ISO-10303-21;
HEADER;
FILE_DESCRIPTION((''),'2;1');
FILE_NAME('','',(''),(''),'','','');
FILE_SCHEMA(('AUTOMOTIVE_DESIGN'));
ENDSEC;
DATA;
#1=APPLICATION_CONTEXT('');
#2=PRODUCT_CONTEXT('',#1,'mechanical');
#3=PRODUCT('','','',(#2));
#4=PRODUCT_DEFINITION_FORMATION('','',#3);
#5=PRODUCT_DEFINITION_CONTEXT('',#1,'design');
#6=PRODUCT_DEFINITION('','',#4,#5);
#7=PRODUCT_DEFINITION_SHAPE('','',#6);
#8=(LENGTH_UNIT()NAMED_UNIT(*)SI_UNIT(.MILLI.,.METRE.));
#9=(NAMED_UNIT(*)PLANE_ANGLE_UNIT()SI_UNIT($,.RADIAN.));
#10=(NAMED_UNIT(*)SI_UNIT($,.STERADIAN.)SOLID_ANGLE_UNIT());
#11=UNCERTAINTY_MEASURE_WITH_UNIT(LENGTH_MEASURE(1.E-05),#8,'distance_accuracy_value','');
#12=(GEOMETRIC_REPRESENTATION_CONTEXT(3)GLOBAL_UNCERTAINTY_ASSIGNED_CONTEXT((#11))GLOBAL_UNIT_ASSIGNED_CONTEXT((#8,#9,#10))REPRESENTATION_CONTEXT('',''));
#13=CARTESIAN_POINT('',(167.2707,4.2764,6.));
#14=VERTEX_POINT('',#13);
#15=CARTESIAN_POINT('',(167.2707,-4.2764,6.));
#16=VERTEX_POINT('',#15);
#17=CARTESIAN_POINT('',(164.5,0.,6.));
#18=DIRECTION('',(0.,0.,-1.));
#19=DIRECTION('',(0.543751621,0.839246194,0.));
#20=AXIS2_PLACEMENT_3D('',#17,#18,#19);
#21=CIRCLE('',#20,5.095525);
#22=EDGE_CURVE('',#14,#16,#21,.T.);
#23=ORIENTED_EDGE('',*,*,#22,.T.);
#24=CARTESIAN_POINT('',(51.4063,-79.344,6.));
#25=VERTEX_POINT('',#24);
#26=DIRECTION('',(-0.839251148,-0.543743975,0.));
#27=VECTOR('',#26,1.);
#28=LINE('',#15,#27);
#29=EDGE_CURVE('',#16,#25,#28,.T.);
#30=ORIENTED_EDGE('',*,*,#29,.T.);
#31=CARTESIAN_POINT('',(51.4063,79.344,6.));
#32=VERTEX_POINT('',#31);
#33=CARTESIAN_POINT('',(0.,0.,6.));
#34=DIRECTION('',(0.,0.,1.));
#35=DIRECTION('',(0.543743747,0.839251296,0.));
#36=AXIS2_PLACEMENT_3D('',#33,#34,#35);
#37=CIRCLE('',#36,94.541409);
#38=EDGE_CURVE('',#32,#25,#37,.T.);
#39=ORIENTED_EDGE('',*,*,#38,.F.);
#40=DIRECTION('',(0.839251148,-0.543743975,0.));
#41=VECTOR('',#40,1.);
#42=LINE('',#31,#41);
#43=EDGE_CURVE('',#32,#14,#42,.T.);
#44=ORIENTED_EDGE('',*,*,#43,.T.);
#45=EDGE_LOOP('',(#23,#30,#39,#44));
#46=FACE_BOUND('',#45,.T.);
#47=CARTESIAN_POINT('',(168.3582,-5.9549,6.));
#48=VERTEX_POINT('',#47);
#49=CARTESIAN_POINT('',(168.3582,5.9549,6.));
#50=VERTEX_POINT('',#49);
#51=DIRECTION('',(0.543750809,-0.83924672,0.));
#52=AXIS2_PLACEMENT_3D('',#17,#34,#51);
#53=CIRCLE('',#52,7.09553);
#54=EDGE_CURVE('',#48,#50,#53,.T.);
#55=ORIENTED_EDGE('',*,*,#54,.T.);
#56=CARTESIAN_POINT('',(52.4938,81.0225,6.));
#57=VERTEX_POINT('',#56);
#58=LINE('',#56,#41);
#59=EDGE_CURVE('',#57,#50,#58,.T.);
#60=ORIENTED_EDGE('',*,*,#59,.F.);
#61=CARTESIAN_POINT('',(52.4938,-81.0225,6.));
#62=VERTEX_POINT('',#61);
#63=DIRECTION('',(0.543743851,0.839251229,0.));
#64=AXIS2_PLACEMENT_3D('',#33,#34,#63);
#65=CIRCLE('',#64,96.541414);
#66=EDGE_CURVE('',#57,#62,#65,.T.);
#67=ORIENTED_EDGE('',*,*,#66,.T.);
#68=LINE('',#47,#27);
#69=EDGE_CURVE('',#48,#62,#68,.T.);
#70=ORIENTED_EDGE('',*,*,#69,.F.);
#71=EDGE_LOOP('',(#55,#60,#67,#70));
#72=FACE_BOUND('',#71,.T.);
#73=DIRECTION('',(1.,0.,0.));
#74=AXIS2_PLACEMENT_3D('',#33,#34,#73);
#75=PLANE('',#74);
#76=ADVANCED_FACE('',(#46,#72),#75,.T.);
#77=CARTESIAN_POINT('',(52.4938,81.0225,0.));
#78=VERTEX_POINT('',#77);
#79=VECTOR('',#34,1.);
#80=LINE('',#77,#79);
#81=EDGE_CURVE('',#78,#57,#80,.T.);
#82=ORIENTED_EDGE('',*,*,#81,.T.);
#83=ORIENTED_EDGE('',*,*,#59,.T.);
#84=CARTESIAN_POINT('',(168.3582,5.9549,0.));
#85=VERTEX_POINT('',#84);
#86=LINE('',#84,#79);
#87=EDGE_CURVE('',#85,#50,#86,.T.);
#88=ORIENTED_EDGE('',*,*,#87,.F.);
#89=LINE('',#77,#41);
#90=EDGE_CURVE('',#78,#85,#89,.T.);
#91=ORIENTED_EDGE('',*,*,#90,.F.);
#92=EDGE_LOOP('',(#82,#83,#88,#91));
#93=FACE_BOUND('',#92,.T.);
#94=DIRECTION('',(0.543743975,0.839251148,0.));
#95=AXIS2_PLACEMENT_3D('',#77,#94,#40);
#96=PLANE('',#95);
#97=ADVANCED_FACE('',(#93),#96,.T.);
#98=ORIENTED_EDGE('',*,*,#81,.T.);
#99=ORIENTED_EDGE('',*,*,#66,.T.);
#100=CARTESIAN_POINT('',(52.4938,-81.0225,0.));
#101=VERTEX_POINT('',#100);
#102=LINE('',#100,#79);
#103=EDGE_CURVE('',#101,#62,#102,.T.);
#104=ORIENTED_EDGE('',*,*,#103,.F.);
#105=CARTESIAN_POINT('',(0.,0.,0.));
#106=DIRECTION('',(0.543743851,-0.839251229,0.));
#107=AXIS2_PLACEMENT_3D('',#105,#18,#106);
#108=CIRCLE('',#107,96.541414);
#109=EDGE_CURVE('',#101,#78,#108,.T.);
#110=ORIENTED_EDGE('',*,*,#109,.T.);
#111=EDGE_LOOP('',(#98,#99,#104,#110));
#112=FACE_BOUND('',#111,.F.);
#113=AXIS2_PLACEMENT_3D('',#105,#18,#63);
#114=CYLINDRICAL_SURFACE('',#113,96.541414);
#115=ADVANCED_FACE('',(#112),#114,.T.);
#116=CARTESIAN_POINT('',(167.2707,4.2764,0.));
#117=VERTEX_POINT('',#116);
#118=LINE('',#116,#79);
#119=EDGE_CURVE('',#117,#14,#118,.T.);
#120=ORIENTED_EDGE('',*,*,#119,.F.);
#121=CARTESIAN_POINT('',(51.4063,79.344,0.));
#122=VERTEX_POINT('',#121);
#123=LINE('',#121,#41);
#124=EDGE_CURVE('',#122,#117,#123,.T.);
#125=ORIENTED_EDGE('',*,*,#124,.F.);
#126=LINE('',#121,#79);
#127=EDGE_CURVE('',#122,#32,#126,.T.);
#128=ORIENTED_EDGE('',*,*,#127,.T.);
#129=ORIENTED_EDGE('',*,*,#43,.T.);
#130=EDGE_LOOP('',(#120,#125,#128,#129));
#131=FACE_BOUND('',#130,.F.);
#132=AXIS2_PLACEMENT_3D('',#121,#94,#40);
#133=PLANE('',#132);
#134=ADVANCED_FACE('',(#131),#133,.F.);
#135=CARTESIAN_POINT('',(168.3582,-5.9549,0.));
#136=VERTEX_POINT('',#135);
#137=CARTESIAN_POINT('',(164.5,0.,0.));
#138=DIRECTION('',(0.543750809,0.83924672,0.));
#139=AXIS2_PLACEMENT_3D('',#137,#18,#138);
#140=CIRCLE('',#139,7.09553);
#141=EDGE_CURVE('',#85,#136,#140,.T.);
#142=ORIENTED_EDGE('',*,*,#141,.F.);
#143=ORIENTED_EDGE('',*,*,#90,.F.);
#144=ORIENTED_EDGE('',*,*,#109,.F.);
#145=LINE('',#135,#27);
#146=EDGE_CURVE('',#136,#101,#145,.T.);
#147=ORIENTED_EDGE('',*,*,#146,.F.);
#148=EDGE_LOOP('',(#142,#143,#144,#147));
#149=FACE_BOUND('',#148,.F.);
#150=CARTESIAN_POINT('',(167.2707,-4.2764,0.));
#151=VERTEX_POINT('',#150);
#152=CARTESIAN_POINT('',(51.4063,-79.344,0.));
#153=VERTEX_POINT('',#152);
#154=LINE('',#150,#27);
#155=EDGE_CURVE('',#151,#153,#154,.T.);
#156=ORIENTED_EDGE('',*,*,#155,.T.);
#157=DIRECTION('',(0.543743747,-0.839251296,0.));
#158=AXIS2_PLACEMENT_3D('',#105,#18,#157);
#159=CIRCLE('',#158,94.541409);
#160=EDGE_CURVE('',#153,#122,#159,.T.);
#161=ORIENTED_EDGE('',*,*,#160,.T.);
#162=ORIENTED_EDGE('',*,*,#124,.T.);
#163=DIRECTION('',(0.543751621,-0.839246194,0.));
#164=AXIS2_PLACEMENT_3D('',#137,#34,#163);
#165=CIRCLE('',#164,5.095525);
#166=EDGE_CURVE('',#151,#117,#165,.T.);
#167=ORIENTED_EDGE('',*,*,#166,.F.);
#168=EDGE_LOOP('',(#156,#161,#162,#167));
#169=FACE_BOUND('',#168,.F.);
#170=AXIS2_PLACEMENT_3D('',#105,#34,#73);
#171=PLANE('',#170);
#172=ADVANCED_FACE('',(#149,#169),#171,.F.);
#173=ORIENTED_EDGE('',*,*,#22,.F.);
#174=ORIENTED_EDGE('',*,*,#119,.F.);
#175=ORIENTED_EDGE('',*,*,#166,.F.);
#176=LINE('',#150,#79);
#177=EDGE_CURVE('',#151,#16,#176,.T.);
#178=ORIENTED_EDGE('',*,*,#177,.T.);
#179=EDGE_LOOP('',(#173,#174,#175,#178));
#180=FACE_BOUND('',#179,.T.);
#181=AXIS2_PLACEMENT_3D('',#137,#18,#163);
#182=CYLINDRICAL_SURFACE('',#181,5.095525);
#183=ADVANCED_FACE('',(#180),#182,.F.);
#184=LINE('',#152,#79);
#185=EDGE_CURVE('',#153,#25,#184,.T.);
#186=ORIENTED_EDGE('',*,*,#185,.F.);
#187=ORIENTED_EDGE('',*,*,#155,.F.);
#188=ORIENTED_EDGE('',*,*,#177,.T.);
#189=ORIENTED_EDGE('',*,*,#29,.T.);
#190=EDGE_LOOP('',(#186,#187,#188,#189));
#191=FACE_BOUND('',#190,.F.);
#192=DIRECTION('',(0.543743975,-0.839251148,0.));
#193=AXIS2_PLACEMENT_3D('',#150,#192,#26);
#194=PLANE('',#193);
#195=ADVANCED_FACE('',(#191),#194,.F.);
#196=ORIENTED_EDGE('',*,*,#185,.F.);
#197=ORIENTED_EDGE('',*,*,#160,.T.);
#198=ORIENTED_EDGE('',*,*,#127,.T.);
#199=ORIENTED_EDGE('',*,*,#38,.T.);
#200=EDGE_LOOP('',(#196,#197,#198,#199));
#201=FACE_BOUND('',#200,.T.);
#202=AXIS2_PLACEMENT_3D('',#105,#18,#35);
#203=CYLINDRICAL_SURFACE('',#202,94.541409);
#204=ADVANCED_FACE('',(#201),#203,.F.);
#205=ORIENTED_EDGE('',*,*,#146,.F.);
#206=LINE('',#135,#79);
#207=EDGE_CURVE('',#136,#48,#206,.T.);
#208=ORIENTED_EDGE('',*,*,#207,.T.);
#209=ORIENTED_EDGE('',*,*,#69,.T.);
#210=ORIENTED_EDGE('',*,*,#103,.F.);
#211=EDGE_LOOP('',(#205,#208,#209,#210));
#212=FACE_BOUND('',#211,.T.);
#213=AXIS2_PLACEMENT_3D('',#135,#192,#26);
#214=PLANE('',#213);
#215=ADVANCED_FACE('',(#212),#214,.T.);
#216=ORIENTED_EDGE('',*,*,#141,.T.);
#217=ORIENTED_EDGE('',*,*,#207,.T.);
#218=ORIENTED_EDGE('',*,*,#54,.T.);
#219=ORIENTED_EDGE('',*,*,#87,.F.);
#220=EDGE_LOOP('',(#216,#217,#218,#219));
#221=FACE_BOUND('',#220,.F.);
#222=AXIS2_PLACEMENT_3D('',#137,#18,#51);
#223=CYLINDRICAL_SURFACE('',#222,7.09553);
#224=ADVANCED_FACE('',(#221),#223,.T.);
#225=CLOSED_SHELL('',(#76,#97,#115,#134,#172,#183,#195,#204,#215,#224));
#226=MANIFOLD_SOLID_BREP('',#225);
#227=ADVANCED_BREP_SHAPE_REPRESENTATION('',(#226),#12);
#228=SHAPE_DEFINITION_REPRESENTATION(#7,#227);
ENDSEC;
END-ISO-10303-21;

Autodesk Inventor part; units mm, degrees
ref_plane "YZ Plane" through (0, 0, 0) normal (1, 0, 0) x (0, 1, 0)
ref_plane "XZ Plane" through (0, 0, 0) normal (0, 1, 0) x (-1, 0, 0)
ref_plane "XY Plane" through (0, 0, 0) normal (0, 0, 1) x (1, 0, 0)
sketch "Sketch1" plane through (0, 0, 0) normal (0, 0, 1) x (1, 0, 0)
  arc A0 (51.4063, 79.344) -> (51.4063, -79.344) centre (0, 0) ccw
  arc A1 (167.2707, -4.2764) -> (167.2707, 4.2764) centre (164.5, 0) ccw
  line L0 (51.4063, 79.344) -> (167.2707, 4.2764)
  line L1 (167.2707, -4.2764) -> (51.4063, -79.344)
  line L2 (-150.1688, 0) -> (225.2229, 0) projected
  arc A2 (52.4938, 81.0225) -> (52.4938, -81.0225) centre (0, 0) ccw
  arc A3 (168.3582, -5.9549) -> (168.3582, 5.9549) centre (164.5, 0) ccw
  line L3 (52.4938, 81.0225) -> (168.3582, 5.9549)
  line L4 (168.3582, -5.9549) -> (52.4938, -81.0225)
  dimension "d0" = 2
  dimension "d2" = 5.0955
  dimension "d5" = 94.5414
  dimension "d6" = 164.5
extrude "Extrusion1" add sketch "Sketch1" along normal blind 6 contours A0 L2 A2 L3 A3 A1 L0 | A0 L1 A1 L2 A3 L4 A2
properties part number "belt"
